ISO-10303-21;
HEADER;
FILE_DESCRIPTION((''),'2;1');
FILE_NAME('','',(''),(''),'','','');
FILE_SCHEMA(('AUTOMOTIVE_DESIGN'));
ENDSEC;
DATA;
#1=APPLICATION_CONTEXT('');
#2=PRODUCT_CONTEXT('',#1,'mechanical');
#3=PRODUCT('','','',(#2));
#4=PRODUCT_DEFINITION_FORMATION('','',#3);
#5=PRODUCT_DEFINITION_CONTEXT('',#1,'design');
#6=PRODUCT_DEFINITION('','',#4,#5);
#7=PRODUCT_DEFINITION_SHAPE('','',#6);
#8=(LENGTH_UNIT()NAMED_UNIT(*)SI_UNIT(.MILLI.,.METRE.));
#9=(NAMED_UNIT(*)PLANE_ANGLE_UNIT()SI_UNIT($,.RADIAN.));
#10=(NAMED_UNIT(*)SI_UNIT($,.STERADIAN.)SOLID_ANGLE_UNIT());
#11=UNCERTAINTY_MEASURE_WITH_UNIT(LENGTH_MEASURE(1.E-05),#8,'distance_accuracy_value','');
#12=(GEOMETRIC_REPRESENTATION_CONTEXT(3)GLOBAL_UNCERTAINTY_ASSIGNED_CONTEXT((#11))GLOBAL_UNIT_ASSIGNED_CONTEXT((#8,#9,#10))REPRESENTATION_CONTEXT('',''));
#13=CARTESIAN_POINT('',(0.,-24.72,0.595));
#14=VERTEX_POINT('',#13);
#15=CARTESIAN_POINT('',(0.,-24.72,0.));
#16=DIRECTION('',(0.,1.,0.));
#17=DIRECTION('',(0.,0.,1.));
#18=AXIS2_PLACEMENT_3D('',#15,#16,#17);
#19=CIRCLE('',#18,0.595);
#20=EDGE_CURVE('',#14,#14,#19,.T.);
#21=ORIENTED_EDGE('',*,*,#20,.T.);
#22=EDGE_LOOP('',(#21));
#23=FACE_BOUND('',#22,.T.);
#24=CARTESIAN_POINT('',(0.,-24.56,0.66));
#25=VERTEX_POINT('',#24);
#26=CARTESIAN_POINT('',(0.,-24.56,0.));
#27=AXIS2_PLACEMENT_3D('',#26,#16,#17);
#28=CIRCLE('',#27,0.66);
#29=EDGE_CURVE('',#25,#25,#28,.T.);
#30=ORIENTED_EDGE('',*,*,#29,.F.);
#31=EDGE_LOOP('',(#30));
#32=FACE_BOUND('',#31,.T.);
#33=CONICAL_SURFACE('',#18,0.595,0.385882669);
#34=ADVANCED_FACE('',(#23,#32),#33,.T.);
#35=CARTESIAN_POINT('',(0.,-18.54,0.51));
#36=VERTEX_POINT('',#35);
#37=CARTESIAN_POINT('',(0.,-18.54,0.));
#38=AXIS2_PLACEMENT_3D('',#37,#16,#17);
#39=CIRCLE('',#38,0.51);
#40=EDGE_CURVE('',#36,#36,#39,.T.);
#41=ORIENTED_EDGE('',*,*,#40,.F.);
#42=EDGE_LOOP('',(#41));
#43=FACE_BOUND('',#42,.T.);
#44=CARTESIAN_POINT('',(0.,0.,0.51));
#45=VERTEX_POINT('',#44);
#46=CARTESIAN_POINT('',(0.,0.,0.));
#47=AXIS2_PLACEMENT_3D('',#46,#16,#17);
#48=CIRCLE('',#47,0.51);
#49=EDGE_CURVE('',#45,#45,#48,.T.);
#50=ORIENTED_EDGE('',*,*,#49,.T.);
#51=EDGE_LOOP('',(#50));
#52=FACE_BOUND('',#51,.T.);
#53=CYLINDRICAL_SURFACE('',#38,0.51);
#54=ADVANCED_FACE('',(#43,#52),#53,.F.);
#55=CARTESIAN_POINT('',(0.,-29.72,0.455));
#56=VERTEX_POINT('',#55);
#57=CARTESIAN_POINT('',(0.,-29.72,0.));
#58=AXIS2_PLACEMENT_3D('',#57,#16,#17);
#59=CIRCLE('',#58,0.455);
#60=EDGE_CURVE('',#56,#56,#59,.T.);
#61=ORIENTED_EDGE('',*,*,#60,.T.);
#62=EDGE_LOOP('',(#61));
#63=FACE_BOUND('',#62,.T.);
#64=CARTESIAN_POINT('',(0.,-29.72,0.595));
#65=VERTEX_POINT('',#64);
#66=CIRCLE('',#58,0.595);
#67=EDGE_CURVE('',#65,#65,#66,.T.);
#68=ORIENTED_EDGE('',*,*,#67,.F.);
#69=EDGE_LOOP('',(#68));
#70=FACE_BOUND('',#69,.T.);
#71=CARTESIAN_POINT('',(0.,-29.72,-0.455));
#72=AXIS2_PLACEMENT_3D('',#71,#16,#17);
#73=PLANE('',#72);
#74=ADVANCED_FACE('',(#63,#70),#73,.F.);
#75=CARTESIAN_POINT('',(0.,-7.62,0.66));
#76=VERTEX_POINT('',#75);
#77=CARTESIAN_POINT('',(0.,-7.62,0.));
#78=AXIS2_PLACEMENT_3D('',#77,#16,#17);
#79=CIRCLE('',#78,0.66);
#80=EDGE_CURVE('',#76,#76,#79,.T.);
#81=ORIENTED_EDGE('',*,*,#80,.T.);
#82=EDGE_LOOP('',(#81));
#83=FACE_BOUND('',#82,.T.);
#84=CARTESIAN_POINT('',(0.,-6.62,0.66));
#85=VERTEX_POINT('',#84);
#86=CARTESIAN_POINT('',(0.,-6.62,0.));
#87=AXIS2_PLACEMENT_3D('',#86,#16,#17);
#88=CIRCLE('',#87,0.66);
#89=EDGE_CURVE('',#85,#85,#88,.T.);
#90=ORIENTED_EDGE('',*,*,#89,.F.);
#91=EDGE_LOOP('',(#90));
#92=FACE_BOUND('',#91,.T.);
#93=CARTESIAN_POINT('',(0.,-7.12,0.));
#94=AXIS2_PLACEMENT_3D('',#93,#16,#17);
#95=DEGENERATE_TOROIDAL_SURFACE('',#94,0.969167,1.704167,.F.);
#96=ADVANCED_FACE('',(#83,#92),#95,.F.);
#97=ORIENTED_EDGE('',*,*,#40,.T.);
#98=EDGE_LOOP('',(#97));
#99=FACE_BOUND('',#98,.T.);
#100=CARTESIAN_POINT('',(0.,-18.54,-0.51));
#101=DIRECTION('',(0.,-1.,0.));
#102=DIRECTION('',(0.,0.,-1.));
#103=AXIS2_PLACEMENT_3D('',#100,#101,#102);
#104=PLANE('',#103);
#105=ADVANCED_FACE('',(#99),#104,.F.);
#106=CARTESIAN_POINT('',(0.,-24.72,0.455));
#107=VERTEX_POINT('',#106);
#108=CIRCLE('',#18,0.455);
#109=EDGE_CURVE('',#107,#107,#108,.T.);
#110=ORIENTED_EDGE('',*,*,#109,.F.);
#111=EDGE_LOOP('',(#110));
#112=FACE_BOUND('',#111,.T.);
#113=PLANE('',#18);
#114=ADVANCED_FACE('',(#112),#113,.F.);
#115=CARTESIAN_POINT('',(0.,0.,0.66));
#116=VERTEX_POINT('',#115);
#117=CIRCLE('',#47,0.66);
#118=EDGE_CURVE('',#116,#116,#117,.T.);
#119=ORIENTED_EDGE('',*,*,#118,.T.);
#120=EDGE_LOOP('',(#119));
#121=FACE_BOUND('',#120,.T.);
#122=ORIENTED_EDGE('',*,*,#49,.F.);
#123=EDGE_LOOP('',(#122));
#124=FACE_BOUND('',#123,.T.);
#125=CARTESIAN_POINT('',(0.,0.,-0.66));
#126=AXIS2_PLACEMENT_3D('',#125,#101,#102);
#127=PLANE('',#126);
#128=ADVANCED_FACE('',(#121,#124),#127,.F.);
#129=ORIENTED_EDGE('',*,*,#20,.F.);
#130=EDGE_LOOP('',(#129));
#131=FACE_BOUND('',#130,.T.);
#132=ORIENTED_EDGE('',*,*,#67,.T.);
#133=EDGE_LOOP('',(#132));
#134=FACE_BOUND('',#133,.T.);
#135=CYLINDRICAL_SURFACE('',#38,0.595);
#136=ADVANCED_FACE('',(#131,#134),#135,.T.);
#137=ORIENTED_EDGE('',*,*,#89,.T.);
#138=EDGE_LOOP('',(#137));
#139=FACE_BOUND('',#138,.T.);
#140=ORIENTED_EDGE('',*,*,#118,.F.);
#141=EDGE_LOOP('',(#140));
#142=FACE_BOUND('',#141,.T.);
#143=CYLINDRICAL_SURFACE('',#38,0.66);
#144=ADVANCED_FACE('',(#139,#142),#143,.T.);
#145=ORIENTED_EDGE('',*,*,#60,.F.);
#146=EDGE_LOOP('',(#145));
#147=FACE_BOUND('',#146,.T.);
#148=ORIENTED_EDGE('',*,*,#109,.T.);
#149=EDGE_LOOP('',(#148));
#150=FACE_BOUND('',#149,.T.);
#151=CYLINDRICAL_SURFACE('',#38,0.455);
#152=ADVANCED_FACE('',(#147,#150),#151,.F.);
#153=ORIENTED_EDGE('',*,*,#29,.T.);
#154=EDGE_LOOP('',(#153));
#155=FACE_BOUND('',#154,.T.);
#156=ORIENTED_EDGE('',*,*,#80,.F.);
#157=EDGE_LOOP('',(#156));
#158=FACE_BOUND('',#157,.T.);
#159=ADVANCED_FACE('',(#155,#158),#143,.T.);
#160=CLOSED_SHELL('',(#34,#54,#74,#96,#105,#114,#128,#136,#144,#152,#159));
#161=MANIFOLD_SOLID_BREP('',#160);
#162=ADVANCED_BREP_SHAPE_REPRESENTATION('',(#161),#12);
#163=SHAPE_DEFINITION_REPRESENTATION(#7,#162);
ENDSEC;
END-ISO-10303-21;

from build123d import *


with BuildPart() as part:
    # Sketch1 → Revolve1 (revolve)
    with BuildSketch(Plane(origin=(0, 0, 0), x_dir=(0, 0, -1), z_dir=(1, 0, 0)), mode=Mode.PRIVATE) as revolve1_sk:
        with BuildLine():
            Line((0.51, 0), (0.51, -18.54))
            Line((0.51, -18.54), (0, -18.54))
            Line((0, -18.54), (0, -24.72))
            Line((0, -24.72), (0.455, -24.72))
            Line((0.455, -24.72), (0.455, -29.72))
            Line((0.455, -29.72), (0.595, -29.72))
            Line((0.595, -29.72), (0.595, -24.72))
            Line((0.595, -24.72), (0.66, -24.56))
            Line((0.66, -24.56), (0.66, -7.62))
            ThreePointArc((0.66, -7.62), (0.735, -7.12), (0.66, -6.62))
            Line((0.66, -6.62), (0.66, 0))
            Line((0.66, 0), (0.51, 0))
        make_face()
    revolve(revolve1_sk.sketch.rotate(Axis((0, -18.54, 0), (0, -1, 0)), 180), axis=Axis((0, -18.54, 0), (0, -1, 0)))


solid = part.part
